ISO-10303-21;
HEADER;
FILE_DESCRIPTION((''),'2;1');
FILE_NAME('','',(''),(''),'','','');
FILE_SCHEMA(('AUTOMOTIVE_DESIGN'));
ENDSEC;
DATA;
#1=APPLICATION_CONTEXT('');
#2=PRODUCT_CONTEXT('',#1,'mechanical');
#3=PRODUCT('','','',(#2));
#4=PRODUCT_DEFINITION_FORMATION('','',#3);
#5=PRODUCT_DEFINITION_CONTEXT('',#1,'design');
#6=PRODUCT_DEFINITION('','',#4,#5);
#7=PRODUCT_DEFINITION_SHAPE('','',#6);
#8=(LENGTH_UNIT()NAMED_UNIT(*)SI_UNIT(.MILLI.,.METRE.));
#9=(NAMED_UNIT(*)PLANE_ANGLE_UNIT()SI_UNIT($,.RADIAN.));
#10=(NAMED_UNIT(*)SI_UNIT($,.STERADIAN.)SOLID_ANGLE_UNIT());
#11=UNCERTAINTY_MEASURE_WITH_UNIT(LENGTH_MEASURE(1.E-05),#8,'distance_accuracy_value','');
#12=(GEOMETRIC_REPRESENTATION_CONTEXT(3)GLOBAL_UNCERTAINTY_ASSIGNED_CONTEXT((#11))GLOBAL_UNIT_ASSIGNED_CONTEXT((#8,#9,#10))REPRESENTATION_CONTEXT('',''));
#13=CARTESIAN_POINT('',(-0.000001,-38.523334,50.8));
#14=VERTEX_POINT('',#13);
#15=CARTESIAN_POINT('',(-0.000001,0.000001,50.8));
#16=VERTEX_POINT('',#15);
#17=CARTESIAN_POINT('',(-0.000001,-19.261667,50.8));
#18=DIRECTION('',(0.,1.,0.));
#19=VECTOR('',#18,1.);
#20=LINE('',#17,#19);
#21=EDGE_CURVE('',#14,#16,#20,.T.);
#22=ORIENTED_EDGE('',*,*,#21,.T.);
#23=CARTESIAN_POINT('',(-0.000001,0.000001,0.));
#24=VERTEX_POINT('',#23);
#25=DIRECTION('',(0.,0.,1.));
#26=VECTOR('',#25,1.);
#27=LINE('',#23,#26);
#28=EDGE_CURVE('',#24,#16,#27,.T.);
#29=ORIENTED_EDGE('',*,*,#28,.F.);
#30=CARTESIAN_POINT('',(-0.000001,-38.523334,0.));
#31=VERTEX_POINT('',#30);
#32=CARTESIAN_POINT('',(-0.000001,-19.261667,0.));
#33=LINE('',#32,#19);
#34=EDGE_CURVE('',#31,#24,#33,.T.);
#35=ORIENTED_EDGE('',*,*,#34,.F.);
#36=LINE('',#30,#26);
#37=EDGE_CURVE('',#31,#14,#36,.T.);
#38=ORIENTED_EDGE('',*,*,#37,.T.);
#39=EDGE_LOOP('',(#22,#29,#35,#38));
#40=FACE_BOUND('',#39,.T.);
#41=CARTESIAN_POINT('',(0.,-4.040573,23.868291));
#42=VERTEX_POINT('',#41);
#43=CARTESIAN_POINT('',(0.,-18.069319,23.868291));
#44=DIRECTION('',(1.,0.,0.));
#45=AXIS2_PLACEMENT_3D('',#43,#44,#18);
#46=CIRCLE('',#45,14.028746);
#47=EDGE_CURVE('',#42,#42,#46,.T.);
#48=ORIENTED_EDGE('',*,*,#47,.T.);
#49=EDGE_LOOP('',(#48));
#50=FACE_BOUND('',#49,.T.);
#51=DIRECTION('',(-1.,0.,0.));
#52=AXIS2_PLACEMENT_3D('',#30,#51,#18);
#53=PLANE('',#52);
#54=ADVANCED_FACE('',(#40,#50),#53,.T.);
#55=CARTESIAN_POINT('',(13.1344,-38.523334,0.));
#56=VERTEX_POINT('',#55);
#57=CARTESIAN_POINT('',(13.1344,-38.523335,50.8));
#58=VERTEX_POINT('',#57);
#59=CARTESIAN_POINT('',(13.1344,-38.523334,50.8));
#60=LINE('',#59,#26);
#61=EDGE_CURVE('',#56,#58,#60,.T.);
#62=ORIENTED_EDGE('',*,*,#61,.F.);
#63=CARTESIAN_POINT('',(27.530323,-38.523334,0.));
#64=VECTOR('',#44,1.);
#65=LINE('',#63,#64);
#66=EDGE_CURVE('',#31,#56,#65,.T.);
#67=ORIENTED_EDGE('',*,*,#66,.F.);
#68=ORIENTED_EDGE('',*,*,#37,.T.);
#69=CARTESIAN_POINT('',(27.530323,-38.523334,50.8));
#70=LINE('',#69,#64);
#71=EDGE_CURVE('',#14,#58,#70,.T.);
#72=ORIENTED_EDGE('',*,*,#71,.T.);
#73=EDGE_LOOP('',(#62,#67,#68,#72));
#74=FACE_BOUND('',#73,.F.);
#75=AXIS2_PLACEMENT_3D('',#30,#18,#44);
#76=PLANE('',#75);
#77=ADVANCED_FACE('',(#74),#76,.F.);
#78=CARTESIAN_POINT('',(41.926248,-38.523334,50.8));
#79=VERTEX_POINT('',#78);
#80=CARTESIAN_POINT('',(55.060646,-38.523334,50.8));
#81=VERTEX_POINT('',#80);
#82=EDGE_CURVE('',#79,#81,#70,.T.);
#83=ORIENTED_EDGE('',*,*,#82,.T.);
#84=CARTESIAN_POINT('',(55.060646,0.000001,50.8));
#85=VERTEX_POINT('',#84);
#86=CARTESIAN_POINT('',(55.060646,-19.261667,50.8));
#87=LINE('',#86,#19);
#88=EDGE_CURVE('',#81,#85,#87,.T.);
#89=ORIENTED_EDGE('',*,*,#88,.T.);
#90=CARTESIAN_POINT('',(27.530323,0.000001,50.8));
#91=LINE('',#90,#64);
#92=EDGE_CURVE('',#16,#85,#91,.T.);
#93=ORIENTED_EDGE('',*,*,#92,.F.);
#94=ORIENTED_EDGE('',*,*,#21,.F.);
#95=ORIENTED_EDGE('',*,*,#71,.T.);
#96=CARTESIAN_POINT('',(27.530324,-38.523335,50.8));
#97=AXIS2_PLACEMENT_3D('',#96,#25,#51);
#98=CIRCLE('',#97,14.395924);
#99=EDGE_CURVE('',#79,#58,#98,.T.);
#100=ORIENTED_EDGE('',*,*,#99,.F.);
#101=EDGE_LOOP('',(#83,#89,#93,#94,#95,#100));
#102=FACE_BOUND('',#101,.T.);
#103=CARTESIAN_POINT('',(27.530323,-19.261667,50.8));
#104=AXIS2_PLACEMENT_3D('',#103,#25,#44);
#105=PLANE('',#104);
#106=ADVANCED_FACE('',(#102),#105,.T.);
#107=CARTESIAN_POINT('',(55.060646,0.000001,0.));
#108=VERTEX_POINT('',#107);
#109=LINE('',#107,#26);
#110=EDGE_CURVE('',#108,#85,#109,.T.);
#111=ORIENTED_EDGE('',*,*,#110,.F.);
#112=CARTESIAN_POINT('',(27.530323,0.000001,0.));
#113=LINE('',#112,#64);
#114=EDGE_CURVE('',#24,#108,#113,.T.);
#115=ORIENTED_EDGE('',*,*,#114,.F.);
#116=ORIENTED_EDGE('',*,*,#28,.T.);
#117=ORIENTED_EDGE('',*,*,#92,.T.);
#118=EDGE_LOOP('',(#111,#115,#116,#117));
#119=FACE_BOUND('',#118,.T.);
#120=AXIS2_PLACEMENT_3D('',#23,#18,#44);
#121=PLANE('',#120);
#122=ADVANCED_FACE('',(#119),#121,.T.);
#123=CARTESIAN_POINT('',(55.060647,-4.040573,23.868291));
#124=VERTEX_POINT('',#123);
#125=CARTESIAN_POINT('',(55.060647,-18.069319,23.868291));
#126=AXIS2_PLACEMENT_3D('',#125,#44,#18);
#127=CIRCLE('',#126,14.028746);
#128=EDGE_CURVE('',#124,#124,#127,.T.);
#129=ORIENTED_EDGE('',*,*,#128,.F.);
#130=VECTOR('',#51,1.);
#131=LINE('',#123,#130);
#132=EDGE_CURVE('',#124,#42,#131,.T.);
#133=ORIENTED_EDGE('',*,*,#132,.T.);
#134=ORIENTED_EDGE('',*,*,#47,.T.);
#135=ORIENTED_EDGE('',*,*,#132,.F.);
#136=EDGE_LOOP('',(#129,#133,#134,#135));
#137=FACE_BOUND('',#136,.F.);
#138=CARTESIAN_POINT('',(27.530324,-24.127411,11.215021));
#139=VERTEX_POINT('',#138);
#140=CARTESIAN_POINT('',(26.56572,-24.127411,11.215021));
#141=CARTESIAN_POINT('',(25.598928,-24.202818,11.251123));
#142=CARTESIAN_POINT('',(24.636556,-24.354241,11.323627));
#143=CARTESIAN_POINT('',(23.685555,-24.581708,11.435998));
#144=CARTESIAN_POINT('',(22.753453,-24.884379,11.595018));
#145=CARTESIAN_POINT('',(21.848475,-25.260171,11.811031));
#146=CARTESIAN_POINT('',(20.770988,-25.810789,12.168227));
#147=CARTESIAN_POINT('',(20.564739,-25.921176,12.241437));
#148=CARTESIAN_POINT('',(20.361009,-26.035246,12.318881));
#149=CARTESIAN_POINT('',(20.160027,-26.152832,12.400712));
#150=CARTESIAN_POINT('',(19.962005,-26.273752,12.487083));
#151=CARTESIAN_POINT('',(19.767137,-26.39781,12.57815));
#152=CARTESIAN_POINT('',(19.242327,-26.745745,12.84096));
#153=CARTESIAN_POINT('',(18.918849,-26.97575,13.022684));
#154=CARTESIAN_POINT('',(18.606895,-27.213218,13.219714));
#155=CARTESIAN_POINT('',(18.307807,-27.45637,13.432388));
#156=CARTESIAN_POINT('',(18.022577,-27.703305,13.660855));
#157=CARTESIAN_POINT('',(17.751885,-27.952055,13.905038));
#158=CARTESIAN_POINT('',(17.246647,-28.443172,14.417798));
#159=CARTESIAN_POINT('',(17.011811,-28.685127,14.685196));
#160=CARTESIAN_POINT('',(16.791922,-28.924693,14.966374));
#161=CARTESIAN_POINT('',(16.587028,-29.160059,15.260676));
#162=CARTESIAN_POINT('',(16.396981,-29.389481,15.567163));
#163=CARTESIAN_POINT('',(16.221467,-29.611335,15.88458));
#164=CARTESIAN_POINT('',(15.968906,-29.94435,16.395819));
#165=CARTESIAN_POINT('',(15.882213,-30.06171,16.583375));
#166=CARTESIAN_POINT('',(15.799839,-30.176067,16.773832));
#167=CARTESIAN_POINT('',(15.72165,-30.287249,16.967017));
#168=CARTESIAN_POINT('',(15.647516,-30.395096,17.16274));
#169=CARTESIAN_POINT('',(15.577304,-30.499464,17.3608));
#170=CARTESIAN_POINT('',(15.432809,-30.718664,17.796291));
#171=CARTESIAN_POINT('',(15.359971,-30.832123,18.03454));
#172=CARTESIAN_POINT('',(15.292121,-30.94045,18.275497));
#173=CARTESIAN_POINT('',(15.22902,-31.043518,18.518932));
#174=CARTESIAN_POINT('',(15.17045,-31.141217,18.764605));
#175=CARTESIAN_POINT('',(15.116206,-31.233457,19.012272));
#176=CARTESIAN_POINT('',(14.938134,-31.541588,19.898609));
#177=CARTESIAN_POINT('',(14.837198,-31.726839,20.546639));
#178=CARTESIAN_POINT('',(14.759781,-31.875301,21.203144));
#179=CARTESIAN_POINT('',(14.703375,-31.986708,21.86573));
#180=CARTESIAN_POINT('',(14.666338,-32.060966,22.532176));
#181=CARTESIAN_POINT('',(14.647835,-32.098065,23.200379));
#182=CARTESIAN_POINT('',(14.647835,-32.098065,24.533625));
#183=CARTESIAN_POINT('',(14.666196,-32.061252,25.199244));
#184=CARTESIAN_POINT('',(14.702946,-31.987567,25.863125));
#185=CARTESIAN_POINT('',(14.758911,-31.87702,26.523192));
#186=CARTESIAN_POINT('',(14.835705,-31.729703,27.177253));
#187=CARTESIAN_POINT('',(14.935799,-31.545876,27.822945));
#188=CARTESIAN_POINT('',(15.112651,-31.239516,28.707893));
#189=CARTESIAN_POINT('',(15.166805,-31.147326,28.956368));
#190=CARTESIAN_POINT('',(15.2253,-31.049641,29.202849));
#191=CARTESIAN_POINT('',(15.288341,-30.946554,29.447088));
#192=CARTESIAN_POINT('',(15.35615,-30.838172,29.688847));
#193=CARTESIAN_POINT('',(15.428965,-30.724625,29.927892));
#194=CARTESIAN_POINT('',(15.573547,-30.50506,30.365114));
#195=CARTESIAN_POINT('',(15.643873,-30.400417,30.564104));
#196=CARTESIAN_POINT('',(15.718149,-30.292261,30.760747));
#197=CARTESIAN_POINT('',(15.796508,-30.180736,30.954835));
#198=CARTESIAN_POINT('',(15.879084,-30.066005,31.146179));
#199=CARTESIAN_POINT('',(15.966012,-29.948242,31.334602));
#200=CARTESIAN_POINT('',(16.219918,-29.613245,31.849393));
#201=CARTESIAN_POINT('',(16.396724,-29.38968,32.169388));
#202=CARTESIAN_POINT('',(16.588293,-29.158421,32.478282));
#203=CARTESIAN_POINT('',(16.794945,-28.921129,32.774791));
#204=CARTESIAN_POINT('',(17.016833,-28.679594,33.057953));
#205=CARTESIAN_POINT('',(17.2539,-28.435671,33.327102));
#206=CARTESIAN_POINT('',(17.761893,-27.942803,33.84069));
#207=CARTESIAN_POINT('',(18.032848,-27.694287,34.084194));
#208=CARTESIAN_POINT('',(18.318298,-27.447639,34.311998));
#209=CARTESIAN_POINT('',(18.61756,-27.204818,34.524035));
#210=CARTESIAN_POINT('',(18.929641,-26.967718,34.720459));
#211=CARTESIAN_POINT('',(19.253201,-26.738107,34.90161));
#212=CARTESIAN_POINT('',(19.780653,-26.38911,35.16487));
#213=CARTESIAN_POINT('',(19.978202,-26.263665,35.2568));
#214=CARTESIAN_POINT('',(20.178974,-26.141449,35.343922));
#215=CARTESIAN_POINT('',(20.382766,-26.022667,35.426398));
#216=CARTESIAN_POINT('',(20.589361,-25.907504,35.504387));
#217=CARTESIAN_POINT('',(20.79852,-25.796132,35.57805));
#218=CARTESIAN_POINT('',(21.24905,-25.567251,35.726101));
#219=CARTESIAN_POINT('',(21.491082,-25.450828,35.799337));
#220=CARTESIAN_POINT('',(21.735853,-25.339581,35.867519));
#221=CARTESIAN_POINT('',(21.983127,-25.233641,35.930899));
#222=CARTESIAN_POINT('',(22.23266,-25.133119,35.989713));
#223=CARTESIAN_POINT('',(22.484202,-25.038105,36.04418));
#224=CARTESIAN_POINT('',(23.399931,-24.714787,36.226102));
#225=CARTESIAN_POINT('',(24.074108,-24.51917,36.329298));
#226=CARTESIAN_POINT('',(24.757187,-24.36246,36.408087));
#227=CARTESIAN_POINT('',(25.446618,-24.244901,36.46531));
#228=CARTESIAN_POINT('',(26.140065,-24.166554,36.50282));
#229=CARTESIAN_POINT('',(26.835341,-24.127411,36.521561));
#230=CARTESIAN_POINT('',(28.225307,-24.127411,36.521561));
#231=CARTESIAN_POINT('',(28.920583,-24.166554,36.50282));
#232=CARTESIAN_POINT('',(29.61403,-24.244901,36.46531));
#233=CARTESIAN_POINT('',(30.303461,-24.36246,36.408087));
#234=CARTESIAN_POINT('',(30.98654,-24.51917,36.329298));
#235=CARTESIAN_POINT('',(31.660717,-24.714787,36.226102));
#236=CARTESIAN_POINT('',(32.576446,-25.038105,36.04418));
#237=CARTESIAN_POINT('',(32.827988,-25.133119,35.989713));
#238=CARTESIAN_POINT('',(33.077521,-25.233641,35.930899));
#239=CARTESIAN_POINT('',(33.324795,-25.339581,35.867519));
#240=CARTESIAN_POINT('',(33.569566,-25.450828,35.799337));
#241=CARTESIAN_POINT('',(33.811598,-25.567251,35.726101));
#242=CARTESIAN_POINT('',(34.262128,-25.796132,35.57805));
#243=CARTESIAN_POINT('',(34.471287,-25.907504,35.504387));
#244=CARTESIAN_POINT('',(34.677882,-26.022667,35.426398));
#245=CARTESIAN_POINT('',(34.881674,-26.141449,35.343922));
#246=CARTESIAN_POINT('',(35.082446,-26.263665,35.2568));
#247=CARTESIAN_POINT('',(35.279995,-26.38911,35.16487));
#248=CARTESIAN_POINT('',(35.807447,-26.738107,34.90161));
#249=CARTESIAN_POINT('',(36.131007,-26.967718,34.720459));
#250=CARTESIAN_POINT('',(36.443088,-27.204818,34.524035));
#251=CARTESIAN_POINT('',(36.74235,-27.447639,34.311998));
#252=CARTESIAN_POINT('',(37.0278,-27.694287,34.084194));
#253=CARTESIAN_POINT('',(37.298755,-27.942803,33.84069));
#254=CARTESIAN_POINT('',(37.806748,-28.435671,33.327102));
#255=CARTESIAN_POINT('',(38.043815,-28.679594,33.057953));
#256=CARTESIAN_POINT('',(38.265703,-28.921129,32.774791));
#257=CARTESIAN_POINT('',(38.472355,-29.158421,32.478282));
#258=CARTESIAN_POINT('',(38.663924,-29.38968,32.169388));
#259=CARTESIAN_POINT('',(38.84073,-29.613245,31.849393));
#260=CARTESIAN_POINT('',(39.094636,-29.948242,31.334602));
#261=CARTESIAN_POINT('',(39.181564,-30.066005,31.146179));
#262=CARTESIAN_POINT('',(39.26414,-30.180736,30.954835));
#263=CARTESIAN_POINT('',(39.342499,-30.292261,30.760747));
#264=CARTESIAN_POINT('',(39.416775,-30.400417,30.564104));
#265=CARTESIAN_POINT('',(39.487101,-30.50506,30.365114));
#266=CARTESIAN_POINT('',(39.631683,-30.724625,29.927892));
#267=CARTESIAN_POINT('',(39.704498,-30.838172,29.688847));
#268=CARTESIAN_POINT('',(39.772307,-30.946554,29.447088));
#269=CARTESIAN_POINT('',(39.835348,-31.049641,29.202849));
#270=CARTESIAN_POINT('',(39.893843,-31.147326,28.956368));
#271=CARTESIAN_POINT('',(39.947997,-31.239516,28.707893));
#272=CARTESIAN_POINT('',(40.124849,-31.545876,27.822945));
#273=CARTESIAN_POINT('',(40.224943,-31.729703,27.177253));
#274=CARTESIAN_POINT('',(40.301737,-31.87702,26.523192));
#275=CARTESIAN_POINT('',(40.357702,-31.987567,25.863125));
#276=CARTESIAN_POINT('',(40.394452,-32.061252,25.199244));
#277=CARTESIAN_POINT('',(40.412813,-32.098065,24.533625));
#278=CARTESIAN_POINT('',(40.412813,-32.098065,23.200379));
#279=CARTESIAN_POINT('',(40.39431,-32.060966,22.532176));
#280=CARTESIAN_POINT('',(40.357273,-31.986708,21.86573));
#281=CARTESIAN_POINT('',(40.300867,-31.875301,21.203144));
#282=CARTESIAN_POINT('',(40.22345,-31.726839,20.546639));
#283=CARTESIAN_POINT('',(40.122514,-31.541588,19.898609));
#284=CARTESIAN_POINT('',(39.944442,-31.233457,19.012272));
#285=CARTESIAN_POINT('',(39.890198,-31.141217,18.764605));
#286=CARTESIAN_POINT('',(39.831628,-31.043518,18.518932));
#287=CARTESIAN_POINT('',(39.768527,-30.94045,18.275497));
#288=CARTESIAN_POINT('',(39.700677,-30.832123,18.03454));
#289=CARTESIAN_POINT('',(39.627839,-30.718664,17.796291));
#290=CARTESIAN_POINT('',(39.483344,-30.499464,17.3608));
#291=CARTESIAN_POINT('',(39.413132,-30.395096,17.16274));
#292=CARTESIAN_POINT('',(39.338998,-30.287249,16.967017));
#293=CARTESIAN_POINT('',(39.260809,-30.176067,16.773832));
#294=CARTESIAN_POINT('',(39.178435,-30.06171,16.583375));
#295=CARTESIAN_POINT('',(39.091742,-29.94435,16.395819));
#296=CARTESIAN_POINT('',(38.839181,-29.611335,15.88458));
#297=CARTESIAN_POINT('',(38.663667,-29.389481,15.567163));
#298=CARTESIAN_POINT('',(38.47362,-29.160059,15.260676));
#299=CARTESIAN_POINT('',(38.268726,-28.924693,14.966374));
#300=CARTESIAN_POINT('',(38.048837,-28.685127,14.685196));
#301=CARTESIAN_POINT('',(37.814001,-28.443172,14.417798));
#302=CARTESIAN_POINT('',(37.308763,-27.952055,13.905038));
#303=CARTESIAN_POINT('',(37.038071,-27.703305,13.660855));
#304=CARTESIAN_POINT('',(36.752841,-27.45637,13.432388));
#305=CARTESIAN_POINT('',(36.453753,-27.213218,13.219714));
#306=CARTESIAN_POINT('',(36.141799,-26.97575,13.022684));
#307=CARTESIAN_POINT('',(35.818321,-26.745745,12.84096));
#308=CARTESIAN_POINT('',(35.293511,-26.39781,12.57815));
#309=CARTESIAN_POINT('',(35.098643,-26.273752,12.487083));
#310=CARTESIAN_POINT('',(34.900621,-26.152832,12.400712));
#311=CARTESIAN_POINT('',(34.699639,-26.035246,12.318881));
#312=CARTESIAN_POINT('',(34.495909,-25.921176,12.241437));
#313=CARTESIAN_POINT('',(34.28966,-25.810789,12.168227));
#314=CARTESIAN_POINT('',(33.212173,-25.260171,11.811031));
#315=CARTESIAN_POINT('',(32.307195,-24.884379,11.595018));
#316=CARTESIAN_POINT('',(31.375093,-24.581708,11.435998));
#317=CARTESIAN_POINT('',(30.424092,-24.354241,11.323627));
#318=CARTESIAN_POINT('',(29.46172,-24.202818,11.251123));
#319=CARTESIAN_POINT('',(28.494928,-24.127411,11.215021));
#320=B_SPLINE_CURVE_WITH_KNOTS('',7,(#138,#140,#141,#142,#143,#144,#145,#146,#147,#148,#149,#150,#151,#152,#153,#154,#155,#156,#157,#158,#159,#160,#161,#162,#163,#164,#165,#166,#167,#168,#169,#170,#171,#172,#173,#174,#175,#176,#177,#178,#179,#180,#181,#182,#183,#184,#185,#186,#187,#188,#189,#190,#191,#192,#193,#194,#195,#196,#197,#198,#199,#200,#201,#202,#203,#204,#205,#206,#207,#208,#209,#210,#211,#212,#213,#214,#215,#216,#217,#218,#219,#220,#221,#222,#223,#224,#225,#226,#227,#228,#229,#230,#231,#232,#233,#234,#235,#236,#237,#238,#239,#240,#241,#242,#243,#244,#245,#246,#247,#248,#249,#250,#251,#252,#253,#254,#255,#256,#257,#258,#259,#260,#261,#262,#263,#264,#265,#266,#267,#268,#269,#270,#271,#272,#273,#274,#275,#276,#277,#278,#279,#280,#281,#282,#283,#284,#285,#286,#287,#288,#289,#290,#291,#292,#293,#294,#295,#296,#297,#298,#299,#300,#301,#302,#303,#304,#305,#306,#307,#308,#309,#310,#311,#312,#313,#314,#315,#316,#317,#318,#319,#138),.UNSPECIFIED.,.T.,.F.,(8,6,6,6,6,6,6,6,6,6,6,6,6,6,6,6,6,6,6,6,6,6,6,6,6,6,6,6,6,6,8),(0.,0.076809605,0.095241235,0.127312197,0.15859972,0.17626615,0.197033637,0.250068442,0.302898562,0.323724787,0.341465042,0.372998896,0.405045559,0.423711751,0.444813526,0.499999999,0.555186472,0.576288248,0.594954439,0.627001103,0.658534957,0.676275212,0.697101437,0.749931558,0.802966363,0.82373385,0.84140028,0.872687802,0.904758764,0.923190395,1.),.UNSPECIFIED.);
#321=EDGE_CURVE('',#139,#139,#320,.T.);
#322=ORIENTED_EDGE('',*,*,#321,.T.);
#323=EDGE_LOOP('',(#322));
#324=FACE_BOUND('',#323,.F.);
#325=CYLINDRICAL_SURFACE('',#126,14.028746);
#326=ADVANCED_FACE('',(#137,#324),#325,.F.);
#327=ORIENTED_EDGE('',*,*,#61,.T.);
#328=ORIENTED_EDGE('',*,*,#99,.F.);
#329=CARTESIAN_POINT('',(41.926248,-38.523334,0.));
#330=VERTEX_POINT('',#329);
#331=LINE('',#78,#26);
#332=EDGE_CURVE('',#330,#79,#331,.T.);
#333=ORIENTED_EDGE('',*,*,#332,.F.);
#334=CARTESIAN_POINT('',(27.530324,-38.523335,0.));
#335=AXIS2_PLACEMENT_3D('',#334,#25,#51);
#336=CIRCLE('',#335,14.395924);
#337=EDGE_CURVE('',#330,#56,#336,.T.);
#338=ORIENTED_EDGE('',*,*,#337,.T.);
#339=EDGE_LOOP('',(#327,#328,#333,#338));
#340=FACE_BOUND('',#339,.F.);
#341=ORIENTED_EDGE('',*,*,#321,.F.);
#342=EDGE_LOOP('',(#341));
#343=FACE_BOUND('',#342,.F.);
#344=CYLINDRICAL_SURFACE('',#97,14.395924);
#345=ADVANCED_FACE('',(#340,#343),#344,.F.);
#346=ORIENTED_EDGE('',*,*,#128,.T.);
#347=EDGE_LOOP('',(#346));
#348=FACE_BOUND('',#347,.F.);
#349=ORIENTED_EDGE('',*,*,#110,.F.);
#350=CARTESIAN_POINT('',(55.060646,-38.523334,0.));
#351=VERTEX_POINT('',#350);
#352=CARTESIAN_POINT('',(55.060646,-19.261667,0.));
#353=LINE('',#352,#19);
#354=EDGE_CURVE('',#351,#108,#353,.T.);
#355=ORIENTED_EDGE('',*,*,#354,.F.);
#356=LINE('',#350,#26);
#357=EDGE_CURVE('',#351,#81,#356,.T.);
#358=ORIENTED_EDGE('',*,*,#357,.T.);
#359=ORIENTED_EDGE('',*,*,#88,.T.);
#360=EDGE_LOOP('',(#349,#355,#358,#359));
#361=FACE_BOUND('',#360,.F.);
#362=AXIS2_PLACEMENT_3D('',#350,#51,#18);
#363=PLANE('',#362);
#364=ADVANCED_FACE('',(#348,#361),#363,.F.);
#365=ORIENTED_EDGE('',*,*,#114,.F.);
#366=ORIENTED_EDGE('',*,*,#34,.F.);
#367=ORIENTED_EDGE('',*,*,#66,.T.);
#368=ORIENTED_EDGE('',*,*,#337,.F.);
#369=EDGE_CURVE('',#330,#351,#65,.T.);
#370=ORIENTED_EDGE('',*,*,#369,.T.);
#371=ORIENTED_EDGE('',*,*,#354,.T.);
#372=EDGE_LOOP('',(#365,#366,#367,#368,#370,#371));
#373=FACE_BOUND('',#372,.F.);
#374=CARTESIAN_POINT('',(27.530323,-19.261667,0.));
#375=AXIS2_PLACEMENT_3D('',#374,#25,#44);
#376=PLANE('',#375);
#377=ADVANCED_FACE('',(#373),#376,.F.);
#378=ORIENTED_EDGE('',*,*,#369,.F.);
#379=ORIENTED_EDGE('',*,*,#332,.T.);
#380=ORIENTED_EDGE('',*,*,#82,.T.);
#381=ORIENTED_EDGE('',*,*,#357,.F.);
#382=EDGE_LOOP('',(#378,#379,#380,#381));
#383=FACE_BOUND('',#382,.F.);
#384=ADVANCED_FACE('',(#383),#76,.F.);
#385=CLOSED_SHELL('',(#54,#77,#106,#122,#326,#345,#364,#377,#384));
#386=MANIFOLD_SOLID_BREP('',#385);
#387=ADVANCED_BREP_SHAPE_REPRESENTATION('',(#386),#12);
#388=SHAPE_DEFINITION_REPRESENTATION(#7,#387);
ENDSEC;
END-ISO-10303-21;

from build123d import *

# Parameters (mm, degrees)
F0_W     = 55.060647
F0_H     = 38.523335
F1_DEPTH = 50.8
F3_DEPTH = 76.2
F4_R     = 14.028746
F5_DEPTH = 76.2


with BuildPart() as f1:
    # F0 (on Top) → F1 (new body)
    with BuildSketch(Plane.XY):
        with Locations((27.530323, -19.261667)):
            Rectangle(F0_W, F0_H)
    extrude(amount=F1_DEPTH)

    # F2 (on face) → F3 (cut)
    with BuildSketch(Plane.XY.offset(50.8)):
        with BuildLine():
            Line((13.1344, -38.523335), (41.926248, -38.523335))
            ThreePointArc((41.926248, -38.523335), (27.530324, -24.127411), (13.1344, -38.523335))
        make_face()
        with BuildLine():
            ThreePointArc((13.1344, -38.523335), (27.530324, -52.919259), (41.926248, -38.523335))
            Line((41.926248, -38.523335), (13.1344, -38.523335))
        make_face()
    extrude(amount=-F3_DEPTH, mode=Mode.SUBTRACT)

    # F4 (on face) → F5 (cut)
    with BuildSketch(Plane.YZ.offset(55.060647)):
        with Locations((-18.069319, 23.868291)):
            Circle(F4_R)
    extrude(amount=-F5_DEPTH, mode=Mode.SUBTRACT)


solid = f1.part
